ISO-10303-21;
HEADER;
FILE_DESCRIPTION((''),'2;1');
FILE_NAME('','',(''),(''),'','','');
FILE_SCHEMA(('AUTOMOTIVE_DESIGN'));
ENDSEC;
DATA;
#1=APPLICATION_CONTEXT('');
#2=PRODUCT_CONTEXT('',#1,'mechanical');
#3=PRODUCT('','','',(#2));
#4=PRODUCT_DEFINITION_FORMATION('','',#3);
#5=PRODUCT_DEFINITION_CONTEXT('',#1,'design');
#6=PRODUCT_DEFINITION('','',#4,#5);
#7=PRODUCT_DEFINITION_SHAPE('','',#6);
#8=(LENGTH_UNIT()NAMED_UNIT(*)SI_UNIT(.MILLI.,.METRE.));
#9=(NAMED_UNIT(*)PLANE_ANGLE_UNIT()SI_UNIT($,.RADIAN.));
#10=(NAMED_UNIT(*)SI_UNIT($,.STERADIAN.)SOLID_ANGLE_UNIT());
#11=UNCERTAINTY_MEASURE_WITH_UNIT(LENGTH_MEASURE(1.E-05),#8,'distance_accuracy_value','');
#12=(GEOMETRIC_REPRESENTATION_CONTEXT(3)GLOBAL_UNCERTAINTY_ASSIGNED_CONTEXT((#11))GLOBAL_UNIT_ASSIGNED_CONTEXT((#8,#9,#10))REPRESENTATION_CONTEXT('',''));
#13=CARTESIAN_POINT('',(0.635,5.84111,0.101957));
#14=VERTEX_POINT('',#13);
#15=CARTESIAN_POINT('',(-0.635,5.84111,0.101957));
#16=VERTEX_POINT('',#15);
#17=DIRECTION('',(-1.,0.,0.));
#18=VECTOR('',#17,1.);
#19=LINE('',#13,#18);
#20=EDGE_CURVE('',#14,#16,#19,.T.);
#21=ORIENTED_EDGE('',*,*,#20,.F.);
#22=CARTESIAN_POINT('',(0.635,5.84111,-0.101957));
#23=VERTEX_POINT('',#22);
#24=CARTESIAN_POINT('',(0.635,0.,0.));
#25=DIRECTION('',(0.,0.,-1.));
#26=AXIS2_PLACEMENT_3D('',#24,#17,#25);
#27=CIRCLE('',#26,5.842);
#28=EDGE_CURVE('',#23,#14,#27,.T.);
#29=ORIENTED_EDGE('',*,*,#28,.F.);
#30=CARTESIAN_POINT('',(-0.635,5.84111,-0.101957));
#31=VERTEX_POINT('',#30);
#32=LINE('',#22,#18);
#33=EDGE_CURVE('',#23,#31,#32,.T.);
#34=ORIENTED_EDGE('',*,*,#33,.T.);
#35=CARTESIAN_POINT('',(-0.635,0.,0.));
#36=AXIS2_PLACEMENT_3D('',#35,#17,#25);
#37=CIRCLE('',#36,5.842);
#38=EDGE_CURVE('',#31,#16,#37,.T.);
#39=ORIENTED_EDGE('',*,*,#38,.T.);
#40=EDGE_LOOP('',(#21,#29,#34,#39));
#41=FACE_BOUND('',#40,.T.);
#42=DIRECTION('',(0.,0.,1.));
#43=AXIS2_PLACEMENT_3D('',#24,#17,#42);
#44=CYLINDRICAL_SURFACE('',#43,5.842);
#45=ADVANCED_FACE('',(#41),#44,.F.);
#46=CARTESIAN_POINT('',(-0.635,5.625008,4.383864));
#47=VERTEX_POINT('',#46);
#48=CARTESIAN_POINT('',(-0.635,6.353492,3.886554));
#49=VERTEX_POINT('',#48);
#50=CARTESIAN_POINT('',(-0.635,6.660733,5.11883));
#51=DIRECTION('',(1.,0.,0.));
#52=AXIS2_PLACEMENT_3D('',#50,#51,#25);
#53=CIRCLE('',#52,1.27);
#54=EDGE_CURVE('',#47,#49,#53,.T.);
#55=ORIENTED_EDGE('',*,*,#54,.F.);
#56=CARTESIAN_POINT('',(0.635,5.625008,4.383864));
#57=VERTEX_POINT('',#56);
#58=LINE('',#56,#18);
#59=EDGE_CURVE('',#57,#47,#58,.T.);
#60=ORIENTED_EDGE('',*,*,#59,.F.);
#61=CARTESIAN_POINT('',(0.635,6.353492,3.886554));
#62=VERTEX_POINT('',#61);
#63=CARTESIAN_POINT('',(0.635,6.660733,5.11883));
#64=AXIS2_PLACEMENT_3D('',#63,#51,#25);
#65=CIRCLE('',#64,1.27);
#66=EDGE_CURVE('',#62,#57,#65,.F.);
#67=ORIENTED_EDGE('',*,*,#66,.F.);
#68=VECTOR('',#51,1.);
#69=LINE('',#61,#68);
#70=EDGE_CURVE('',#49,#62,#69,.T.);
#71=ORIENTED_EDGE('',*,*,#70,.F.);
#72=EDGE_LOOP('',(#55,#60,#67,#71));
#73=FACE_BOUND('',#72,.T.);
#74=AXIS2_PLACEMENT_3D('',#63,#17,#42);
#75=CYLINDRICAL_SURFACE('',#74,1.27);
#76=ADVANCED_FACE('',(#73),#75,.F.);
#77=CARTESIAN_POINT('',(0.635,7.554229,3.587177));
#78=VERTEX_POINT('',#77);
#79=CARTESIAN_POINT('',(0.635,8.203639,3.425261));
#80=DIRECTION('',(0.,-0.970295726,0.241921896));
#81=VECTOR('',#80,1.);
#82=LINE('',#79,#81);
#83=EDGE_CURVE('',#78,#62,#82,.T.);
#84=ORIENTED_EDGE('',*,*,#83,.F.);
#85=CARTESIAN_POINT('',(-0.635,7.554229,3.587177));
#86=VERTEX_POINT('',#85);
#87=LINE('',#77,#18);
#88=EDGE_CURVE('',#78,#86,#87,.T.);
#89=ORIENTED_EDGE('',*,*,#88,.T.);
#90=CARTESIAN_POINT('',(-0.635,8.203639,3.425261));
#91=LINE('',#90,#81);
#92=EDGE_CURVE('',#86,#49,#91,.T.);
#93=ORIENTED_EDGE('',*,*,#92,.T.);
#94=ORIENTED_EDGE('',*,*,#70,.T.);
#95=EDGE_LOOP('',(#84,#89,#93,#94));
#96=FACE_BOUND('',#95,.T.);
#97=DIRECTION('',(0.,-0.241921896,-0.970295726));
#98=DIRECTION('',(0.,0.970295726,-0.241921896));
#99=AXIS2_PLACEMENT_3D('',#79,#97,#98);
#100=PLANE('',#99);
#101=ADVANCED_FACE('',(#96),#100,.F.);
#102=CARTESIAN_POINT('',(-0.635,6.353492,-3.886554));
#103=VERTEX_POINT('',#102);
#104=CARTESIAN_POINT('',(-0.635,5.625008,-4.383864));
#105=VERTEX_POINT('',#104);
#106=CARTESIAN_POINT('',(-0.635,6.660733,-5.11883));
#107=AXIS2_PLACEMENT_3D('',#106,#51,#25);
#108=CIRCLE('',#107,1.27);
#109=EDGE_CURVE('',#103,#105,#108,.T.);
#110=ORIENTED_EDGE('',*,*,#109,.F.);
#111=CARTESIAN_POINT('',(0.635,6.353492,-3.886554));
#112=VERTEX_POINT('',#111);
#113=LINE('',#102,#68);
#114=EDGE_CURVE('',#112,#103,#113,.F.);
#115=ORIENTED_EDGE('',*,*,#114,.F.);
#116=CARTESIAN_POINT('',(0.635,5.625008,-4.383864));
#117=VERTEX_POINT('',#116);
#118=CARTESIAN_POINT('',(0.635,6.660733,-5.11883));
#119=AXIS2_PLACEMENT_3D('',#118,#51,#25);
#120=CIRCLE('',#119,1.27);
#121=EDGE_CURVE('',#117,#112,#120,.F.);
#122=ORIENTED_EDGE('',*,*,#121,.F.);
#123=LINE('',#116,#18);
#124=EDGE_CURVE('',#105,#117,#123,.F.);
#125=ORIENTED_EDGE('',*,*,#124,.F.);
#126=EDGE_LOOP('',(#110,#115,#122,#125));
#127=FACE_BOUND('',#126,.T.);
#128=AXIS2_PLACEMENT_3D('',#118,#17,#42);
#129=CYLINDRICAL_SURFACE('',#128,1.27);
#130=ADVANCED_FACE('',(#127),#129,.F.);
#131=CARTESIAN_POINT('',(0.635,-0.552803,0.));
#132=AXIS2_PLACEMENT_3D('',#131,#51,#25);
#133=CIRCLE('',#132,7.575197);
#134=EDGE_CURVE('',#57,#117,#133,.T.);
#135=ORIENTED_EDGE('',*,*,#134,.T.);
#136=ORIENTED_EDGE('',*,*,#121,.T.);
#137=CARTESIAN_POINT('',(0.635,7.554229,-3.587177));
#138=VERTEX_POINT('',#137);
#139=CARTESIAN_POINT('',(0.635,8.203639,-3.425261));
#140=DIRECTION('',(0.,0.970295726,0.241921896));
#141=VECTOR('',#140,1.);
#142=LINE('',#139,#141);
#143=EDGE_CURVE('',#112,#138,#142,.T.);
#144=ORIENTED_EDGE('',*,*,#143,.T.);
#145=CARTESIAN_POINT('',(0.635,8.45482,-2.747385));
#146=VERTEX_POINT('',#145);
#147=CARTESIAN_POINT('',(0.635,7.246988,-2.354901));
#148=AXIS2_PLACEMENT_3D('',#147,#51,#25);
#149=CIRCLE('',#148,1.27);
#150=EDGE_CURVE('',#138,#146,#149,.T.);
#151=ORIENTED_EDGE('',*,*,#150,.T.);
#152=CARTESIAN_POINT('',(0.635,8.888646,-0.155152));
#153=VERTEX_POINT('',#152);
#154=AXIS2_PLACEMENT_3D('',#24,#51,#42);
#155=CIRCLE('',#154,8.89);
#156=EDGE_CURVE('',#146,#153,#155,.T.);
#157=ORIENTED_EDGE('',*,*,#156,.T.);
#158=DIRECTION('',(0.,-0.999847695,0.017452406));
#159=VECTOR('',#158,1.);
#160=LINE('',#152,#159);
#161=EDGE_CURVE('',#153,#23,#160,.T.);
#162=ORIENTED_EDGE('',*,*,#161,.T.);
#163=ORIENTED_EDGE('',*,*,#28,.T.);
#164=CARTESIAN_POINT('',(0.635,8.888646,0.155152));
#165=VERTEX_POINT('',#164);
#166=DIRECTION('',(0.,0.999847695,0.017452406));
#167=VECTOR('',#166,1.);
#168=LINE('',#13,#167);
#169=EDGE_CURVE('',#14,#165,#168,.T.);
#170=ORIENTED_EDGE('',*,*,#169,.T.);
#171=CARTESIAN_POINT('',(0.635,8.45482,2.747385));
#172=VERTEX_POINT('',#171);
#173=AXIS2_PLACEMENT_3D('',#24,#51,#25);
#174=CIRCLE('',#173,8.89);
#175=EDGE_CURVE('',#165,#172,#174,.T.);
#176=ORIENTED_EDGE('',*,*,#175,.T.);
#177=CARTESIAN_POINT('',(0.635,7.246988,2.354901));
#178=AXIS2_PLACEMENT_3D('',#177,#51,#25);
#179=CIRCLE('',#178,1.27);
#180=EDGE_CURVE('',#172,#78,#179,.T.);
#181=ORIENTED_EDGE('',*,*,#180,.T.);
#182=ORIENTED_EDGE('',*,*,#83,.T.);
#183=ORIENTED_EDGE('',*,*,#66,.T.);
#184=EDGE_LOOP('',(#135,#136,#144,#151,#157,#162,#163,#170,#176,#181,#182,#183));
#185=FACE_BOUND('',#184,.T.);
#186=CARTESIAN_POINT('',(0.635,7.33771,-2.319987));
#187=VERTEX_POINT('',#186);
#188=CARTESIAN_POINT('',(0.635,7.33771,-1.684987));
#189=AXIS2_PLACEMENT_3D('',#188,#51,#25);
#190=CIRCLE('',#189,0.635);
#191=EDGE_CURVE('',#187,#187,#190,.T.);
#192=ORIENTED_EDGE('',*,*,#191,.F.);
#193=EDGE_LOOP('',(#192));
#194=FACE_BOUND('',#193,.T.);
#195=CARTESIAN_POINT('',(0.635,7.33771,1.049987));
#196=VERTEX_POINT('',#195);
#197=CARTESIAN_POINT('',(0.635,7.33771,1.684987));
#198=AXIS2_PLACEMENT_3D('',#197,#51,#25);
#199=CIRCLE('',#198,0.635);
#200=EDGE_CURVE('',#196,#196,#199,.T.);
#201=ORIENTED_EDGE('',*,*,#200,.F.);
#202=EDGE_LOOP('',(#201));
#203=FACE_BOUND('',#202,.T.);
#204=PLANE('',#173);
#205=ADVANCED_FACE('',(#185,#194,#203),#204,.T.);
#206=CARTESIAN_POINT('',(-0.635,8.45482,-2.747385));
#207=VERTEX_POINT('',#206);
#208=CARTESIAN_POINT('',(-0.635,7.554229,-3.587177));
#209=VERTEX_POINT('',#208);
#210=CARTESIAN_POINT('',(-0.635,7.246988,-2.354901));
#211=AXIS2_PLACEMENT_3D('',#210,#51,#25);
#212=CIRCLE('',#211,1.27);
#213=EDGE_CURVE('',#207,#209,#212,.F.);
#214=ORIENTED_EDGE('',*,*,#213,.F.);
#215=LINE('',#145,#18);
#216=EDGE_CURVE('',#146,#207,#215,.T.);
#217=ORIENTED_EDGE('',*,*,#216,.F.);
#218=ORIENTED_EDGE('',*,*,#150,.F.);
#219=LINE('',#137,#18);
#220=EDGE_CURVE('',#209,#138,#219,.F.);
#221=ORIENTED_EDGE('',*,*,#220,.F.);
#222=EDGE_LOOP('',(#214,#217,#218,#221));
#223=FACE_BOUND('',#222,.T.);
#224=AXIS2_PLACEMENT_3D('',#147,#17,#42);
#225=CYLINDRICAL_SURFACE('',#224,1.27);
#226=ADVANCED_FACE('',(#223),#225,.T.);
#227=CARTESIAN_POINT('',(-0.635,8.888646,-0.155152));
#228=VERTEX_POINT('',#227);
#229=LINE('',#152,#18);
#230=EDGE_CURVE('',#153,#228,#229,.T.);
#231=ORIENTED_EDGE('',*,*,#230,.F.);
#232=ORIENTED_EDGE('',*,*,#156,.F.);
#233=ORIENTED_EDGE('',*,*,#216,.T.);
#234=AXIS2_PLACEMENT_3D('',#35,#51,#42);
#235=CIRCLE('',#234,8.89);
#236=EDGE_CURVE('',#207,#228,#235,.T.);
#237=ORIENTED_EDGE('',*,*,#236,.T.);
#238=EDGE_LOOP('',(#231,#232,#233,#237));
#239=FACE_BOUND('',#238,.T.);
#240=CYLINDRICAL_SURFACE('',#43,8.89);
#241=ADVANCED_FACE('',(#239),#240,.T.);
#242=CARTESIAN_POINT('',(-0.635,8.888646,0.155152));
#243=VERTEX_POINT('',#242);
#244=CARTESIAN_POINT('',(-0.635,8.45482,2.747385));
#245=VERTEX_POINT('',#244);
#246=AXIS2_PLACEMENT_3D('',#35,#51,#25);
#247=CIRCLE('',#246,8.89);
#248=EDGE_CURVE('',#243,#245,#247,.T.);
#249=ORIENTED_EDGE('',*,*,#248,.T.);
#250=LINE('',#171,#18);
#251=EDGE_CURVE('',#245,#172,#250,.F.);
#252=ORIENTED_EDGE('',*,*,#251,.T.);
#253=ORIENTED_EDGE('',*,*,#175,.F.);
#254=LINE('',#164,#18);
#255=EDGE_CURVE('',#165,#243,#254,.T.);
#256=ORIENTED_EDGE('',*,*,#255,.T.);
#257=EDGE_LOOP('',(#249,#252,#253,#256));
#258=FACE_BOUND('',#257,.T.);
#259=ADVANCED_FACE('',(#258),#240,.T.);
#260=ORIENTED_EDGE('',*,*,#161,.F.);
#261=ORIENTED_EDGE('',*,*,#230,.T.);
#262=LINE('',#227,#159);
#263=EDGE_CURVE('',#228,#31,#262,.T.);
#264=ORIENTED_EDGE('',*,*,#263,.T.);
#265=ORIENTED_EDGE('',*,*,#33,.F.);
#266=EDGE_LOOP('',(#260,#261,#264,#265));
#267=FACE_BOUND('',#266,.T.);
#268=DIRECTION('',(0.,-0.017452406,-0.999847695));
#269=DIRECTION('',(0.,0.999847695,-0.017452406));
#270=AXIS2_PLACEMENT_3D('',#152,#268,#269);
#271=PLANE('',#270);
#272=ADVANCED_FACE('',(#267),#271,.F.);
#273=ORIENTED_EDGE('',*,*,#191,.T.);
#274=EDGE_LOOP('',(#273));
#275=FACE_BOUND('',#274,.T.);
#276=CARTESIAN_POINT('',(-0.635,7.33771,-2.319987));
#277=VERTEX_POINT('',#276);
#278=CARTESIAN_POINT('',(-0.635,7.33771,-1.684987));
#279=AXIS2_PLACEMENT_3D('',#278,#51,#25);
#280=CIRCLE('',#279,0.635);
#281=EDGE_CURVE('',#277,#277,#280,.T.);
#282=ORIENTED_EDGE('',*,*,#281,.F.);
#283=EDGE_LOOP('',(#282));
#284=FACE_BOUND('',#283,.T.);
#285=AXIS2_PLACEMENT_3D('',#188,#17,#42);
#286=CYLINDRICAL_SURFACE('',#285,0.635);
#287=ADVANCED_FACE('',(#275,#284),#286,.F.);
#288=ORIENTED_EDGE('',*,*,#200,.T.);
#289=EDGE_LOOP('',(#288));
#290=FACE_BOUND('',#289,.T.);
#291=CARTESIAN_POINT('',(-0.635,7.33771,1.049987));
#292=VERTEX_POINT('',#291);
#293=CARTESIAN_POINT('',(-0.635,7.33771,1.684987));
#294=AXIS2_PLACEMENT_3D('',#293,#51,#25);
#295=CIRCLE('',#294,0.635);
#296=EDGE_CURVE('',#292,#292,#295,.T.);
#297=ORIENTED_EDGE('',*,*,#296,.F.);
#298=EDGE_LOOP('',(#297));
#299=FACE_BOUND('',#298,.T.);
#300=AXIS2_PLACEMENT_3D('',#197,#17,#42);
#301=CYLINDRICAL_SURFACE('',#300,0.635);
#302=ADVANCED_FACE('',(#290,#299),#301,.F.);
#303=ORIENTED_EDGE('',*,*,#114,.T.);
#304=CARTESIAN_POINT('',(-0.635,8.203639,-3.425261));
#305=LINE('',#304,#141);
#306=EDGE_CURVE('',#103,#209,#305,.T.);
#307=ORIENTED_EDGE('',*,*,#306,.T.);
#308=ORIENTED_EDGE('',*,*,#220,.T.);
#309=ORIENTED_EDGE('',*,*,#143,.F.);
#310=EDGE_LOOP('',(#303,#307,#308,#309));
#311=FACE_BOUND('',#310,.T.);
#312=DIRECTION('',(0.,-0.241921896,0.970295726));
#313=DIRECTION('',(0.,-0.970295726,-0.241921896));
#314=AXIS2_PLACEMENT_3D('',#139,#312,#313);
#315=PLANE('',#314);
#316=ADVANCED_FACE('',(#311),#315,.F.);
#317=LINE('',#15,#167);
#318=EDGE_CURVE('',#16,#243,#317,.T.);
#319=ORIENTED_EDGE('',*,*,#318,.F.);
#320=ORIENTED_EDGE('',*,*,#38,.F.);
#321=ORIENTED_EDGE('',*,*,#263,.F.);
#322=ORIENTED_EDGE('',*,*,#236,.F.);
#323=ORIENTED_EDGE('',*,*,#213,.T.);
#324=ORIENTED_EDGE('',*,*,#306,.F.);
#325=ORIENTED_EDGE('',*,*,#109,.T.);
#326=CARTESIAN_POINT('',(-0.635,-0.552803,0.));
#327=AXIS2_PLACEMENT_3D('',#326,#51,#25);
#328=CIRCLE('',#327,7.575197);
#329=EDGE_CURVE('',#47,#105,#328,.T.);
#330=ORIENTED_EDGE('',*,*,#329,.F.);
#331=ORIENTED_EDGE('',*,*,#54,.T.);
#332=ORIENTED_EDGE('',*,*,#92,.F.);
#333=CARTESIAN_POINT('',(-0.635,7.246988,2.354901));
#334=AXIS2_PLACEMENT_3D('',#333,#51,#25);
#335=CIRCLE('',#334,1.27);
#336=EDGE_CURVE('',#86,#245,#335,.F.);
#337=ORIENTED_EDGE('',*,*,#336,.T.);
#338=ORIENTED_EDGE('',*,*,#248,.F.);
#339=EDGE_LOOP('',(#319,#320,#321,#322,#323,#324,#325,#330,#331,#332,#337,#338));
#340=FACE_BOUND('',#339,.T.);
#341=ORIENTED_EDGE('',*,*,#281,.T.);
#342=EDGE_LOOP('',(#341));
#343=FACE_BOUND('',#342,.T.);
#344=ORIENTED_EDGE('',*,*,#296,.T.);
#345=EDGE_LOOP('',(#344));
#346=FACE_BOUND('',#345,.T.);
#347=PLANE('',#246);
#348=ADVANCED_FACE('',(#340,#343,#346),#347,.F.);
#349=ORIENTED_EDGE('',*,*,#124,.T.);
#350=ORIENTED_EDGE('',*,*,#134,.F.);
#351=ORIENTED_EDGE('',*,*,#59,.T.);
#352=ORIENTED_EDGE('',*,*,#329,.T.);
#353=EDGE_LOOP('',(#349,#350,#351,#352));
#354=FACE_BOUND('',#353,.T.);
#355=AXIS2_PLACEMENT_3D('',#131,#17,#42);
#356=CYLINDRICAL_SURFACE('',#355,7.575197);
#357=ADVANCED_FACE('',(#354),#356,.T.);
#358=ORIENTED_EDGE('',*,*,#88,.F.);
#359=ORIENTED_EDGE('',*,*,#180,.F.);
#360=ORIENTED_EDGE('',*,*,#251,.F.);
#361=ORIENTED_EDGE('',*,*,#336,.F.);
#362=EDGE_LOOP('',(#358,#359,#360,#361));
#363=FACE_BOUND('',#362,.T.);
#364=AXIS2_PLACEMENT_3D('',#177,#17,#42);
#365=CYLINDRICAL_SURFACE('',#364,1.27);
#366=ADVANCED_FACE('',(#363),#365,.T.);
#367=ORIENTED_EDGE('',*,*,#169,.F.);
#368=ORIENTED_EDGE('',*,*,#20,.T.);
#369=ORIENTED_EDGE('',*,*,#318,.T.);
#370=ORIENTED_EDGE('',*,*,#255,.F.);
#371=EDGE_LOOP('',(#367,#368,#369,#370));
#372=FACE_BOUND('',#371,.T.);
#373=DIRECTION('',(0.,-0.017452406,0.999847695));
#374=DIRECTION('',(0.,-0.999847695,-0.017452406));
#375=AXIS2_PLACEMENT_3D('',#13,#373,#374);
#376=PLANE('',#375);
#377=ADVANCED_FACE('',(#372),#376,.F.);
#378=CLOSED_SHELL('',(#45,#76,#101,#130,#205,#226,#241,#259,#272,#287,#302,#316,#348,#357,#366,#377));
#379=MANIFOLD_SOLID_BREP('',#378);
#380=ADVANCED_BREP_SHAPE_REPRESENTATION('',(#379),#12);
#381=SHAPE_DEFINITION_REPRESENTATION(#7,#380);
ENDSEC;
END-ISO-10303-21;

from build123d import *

# Parameters (mm, degrees)
SKETCH1_R      = 0.635
EXTRUDE1_DEPTH = 0.635
FILLET1_R      = 1.27


with BuildPart() as part:
    # Sketch1 → Extrude1 (new, symmetric)
    with BuildSketch(Plane(origin=(0, 0, 0), x_dir=(0, 0, -1), z_dir=(1, 0, 0))):
        with BuildLine():
            Line((-0.101956958, 5.841110235), (-0.155151893, 8.88864601))
            ThreePointArc((-0.155151893, 8.88864601), (-1.822675913, 8.701146621), (-3.425260789, 8.203638737))
            Line((-3.425260789, 8.203638737), (-4.005394532, 5.876849381))
            ThreePointArc((-4.005394532, 5.876849381), (0, -8.128), (4.005394532, 5.876849381))
            Line((4.005394532, 5.876849381), (3.425260789, 8.203638737))
            ThreePointArc((3.425260789, 8.203638737), (1.822675913, 8.701146621), (0.155151893, 8.88864601))
            Line((0.155151893, 8.88864601), (0.101956958, 5.841110235))
            ThreePointArc((0.101956958, 5.841110235), (0, -5.842), (-0.101956958, 5.841110235))
        make_face()
        with Locations((-1.684986776, 7.337710495)):
            Circle(SKETCH1_R, mode=Mode.SUBTRACT)
        with Locations((1.684986776, 7.337710495)):
            Circle(SKETCH1_R, mode=Mode.SUBTRACT)
    extrude(amount=EXTRUDE1_DEPTH, both=True)

    # Fillet1
    fillet1_edges = [part.edges().sort_by_distance(p)[0] for p in [
        (0, 8.203638737, -3.425260789),
        (0, 5.876849381, -4.005394532),
        (0, 5.876849381, 4.005394532),
        (0, 8.203638737, 3.425260789),
    ]]
    fillet(fillet1_edges, radius=FILLET1_R)


solid = part.part
